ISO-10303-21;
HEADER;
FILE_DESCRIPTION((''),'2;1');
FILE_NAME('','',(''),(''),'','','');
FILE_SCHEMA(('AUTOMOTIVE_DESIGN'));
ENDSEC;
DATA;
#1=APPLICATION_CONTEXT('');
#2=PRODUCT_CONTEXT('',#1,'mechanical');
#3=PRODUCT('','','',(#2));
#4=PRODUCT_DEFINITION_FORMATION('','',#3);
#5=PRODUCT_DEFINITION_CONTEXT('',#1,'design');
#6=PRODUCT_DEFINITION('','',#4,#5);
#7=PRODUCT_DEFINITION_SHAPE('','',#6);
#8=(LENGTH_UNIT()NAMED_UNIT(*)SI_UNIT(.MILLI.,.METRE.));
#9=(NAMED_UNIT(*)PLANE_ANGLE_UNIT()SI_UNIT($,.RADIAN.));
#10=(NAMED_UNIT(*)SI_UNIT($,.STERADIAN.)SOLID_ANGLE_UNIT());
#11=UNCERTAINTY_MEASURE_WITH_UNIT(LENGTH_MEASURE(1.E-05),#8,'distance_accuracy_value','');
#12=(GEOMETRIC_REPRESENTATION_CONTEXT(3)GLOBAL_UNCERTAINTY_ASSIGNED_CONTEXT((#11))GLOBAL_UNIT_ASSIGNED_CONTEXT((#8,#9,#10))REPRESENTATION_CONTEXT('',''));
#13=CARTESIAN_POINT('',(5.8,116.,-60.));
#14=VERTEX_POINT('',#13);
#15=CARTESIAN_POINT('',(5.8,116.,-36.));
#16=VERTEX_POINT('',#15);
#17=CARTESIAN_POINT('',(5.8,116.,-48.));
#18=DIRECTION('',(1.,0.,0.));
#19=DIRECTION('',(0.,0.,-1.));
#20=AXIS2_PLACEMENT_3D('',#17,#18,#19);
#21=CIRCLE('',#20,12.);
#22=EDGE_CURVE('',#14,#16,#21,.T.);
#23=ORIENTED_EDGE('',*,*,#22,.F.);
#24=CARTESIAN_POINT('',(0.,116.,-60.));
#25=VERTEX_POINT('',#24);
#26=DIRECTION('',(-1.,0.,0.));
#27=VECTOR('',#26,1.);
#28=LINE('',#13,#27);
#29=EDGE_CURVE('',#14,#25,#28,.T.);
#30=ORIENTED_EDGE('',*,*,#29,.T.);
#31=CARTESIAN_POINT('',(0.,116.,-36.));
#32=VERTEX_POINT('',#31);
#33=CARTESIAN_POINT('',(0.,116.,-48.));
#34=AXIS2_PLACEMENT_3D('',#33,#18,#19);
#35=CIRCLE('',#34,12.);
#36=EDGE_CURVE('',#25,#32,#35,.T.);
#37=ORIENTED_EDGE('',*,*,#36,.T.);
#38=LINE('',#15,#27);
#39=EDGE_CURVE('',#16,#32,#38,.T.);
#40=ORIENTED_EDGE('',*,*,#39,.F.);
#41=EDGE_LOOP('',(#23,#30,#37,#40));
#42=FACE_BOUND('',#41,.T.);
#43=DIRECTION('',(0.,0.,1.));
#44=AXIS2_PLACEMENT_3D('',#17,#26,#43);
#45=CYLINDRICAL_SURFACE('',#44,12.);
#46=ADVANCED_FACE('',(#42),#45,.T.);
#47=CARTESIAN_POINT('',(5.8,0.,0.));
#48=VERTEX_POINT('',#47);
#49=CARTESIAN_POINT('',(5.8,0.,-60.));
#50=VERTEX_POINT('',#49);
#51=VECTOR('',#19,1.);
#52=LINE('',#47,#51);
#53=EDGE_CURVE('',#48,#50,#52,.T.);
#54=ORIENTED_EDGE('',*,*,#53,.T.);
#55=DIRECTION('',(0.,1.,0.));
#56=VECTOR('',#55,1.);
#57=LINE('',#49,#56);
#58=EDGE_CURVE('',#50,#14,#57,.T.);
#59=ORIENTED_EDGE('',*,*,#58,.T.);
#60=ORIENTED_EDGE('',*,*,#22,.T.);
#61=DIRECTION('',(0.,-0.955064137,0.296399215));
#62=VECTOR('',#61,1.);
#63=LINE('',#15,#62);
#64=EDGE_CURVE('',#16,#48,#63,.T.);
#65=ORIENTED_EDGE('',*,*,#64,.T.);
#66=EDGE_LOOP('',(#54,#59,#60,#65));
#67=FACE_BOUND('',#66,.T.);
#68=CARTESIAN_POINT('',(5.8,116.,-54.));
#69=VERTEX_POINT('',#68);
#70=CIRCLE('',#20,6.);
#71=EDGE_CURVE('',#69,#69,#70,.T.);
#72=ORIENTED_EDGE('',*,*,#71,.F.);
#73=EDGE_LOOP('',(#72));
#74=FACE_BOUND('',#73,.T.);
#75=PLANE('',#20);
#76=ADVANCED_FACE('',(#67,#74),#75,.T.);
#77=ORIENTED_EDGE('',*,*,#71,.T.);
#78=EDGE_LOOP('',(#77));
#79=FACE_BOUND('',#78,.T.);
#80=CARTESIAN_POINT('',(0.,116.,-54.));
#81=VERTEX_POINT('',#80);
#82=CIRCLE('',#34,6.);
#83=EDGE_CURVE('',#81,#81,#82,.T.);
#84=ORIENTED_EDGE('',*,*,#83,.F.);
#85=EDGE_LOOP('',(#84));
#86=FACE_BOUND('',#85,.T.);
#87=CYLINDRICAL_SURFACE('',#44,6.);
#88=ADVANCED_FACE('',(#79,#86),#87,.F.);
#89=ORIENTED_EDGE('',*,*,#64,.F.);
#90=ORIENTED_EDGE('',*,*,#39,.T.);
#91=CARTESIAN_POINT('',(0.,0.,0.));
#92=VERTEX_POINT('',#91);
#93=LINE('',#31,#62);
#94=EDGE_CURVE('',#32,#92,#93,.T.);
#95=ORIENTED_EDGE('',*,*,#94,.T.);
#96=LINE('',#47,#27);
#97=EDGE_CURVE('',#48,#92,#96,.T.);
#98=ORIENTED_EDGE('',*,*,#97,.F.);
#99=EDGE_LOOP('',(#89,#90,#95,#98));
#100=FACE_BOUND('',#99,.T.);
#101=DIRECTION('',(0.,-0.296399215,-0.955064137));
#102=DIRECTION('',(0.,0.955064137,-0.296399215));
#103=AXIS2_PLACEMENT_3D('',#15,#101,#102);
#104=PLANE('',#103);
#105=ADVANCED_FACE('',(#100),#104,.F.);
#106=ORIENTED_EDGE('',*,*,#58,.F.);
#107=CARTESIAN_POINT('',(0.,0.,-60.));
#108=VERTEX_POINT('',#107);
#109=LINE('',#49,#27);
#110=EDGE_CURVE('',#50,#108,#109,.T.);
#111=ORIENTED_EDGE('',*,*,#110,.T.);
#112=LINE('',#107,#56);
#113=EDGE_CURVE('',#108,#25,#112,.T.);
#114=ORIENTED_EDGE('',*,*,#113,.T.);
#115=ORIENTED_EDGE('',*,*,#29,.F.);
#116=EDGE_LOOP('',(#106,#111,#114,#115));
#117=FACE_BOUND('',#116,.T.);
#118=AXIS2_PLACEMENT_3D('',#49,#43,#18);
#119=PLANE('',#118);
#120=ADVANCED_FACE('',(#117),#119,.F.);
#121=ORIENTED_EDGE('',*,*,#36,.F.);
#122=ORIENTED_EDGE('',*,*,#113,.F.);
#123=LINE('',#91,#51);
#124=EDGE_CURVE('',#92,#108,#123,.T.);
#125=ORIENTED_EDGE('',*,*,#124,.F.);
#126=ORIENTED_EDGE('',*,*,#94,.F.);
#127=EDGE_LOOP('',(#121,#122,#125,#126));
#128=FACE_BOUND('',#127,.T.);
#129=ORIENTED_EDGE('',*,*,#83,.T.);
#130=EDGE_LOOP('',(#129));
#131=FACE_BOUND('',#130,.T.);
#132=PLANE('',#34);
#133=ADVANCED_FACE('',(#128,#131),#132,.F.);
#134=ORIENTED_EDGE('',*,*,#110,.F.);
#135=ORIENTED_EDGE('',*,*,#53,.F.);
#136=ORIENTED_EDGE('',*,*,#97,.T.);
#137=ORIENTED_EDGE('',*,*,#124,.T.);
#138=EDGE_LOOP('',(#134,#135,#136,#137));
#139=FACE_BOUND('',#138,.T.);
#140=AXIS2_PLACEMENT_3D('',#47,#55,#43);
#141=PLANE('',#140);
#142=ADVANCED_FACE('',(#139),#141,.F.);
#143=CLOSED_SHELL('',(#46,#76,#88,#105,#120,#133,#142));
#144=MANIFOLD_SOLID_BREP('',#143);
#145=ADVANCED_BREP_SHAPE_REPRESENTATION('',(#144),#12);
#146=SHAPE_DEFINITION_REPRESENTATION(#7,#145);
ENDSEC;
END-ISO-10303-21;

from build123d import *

# Parameters (mm, degrees)
SKETCH2_R           = 6
BOSS_EXTRUDE1_DEPTH = 5.8


with BuildPart() as part:
    # Sketch2 → Boss-Extrude1 (new body)
    with BuildSketch(Plane(origin=(0, 0, 0), x_dir=(0, 0, -1), z_dir=(1, 0, 0))):
        with BuildLine():
            Line((0, 0), (60, 0))
            Line((60, 0), (60, 116))
            ThreePointArc((60, 116), (48, 128), (36, 116))
            Line((36, 116), (0, 0))
        make_face()
        with Locations((48, 116)):
            Circle(SKETCH2_R, mode=Mode.SUBTRACT)
    extrude(amount=BOSS_EXTRUDE1_DEPTH)


solid = part.part
